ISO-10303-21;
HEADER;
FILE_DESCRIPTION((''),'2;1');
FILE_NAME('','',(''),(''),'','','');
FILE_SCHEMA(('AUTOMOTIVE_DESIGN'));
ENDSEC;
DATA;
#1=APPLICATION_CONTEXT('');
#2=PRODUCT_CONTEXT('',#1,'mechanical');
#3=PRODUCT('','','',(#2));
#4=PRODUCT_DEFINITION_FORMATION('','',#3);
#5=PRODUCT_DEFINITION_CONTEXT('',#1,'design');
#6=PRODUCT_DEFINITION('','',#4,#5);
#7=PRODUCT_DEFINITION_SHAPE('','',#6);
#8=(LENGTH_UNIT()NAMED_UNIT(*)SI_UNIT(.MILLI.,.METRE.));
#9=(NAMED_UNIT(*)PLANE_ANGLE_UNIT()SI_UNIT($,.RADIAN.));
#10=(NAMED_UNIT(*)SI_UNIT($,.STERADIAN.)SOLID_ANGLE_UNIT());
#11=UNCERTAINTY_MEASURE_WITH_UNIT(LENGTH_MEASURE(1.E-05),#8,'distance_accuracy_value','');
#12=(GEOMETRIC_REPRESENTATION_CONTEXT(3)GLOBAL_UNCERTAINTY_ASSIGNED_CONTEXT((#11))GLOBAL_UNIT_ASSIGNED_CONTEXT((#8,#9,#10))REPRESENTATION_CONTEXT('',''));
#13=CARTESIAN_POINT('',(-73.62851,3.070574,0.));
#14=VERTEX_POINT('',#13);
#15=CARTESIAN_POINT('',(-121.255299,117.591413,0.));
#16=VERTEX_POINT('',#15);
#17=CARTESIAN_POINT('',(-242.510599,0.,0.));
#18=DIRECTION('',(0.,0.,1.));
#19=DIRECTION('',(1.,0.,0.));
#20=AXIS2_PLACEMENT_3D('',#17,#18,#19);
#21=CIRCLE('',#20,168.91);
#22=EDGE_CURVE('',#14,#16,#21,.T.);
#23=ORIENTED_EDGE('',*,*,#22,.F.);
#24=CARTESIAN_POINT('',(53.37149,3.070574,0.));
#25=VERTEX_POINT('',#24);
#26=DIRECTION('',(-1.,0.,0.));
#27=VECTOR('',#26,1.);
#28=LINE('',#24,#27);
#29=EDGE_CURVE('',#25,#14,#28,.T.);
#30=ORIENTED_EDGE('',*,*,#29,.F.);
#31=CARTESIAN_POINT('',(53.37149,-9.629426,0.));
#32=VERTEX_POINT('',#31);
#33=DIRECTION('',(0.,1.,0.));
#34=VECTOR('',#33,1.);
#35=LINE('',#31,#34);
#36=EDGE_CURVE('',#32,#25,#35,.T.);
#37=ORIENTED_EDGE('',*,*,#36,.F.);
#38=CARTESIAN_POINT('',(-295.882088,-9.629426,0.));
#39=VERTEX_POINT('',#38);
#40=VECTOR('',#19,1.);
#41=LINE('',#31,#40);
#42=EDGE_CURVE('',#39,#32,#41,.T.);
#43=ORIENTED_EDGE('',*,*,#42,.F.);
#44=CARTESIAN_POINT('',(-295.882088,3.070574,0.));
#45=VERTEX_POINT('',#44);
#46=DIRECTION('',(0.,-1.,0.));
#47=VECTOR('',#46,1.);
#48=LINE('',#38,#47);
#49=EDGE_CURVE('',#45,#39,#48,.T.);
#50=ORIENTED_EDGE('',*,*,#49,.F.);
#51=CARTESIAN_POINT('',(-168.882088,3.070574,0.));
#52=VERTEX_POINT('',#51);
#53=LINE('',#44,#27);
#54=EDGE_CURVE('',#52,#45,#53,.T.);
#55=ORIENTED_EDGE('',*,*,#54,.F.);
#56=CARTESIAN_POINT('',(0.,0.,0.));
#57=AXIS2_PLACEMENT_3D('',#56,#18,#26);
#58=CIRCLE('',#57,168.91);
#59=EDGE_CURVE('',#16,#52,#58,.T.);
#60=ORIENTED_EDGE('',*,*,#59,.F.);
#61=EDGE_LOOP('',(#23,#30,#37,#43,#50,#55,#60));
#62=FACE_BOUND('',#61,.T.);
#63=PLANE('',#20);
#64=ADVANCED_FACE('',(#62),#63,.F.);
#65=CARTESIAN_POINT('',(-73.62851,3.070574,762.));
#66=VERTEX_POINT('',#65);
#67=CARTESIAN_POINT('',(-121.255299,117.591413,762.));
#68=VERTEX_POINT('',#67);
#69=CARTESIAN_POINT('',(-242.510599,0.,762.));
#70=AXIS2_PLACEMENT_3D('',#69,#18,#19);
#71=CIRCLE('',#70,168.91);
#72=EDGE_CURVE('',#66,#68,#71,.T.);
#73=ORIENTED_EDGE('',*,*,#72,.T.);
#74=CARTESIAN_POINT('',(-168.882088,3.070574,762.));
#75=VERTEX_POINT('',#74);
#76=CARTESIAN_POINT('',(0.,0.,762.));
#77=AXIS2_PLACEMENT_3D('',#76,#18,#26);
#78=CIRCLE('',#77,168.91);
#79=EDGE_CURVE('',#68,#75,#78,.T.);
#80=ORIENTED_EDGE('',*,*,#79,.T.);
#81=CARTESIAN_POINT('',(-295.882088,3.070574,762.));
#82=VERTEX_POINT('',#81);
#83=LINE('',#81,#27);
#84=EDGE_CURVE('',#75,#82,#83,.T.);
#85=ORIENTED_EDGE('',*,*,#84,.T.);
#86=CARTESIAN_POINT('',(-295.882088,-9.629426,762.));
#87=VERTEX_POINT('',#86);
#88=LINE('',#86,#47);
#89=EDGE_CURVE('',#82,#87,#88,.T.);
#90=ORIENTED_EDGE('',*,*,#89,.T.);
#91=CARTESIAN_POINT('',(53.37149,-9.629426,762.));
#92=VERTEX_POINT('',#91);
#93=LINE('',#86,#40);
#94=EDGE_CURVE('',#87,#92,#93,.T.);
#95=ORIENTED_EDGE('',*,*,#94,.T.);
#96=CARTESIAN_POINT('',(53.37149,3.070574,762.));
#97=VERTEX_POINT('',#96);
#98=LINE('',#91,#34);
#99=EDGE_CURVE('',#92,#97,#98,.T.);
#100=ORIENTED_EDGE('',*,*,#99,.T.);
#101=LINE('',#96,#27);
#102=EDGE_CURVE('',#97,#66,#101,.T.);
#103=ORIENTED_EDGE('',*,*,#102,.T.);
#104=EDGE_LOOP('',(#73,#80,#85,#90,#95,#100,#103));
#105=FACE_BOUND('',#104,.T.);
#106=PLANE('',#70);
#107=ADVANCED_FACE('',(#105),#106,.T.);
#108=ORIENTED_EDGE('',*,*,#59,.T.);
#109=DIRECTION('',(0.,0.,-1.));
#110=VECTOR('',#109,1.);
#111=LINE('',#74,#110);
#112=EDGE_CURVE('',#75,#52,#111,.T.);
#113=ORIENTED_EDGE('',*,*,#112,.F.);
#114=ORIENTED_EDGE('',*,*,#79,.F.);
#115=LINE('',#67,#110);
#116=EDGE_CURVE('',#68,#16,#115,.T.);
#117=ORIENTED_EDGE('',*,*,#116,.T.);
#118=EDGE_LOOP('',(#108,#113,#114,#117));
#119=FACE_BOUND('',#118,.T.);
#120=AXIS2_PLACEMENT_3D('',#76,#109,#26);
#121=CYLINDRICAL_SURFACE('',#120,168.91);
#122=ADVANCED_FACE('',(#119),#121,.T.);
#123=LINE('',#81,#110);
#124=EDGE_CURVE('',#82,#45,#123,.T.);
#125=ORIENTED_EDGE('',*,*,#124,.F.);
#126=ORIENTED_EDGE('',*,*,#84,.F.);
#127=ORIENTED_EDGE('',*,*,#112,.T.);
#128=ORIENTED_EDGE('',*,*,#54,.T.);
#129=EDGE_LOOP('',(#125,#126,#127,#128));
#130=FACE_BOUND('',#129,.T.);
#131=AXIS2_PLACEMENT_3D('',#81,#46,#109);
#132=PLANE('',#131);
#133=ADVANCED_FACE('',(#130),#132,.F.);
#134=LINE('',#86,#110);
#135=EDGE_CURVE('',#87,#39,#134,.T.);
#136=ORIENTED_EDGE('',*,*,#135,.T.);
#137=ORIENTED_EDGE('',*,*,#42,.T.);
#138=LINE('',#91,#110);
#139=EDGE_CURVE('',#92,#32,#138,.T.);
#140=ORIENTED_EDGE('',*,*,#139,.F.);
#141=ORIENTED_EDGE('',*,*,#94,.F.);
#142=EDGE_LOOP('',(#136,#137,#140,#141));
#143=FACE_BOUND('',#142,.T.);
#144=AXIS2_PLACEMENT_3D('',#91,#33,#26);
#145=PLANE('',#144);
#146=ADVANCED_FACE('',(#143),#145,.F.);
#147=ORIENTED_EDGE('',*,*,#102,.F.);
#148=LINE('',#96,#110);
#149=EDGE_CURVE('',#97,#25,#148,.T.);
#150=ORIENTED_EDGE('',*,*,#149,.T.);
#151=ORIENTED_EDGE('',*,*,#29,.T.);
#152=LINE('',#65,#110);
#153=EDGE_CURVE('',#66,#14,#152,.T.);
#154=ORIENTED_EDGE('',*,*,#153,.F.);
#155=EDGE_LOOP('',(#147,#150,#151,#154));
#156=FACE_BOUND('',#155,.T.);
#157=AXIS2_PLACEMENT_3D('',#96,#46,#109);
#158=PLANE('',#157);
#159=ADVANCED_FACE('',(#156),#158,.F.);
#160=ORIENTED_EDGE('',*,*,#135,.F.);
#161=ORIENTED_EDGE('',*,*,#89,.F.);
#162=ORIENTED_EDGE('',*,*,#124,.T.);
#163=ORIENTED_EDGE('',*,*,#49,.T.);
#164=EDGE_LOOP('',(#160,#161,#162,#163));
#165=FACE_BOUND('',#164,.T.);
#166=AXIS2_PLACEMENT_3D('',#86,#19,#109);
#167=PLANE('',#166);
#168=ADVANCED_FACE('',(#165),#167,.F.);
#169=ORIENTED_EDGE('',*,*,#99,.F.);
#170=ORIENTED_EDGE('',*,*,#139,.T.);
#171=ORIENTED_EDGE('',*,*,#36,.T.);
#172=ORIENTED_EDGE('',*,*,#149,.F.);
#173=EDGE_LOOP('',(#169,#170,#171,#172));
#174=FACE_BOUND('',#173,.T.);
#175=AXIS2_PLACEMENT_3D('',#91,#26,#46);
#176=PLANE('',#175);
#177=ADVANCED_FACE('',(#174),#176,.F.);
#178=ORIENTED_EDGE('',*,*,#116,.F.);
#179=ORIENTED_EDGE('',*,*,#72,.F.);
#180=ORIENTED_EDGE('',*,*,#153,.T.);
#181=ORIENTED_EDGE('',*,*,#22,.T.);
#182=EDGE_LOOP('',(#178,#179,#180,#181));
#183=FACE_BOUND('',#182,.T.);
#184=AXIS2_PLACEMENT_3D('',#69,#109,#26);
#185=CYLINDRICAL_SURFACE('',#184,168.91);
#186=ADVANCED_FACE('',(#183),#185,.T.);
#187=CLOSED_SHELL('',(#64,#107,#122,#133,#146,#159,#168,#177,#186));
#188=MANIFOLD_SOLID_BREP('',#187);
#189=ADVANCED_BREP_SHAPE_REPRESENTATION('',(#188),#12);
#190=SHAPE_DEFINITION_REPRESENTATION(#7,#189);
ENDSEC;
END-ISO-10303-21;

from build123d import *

# Parameters (mm, degrees)
BOSS_EXTRUDE1_DEPTH = 762


with BuildPart() as part:
    # Sketch2 → Boss-Extrude1 (new body)
    with BuildSketch(Plane.XY):
        with BuildLine():
            Line((-295.882088074, -9.629425512), (-168.882088074, -9.629425512))
            Line((-168.882088074, -9.629425512), (-73.62851045, -9.629425512))
            Line((-73.62851045, -9.629425512), (53.37148955, -9.629425512))
            Line((53.37148955, -9.629425512), (53.37148955, 3.070574488))
            Line((53.37148955, 3.070574488), (-73.62851045, 3.070574488))
            ThreePointArc((-73.62851045, 3.070574488), (-86.550085837, 64.860670535), (-121.255299262, 117.59141338))
            ThreePointArc((-121.255299262, 117.59141338), (-155.960512688, 64.860670535), (-168.882088074, 3.070574488))
            Line((-168.882088074, 3.070574488), (-295.882088074, 3.070574488))
            Line((-295.882088074, 3.070574488), (-295.882088074, -9.629425512))
        make_face()
    extrude(amount=BOSS_EXTRUDE1_DEPTH)


solid = part.part
